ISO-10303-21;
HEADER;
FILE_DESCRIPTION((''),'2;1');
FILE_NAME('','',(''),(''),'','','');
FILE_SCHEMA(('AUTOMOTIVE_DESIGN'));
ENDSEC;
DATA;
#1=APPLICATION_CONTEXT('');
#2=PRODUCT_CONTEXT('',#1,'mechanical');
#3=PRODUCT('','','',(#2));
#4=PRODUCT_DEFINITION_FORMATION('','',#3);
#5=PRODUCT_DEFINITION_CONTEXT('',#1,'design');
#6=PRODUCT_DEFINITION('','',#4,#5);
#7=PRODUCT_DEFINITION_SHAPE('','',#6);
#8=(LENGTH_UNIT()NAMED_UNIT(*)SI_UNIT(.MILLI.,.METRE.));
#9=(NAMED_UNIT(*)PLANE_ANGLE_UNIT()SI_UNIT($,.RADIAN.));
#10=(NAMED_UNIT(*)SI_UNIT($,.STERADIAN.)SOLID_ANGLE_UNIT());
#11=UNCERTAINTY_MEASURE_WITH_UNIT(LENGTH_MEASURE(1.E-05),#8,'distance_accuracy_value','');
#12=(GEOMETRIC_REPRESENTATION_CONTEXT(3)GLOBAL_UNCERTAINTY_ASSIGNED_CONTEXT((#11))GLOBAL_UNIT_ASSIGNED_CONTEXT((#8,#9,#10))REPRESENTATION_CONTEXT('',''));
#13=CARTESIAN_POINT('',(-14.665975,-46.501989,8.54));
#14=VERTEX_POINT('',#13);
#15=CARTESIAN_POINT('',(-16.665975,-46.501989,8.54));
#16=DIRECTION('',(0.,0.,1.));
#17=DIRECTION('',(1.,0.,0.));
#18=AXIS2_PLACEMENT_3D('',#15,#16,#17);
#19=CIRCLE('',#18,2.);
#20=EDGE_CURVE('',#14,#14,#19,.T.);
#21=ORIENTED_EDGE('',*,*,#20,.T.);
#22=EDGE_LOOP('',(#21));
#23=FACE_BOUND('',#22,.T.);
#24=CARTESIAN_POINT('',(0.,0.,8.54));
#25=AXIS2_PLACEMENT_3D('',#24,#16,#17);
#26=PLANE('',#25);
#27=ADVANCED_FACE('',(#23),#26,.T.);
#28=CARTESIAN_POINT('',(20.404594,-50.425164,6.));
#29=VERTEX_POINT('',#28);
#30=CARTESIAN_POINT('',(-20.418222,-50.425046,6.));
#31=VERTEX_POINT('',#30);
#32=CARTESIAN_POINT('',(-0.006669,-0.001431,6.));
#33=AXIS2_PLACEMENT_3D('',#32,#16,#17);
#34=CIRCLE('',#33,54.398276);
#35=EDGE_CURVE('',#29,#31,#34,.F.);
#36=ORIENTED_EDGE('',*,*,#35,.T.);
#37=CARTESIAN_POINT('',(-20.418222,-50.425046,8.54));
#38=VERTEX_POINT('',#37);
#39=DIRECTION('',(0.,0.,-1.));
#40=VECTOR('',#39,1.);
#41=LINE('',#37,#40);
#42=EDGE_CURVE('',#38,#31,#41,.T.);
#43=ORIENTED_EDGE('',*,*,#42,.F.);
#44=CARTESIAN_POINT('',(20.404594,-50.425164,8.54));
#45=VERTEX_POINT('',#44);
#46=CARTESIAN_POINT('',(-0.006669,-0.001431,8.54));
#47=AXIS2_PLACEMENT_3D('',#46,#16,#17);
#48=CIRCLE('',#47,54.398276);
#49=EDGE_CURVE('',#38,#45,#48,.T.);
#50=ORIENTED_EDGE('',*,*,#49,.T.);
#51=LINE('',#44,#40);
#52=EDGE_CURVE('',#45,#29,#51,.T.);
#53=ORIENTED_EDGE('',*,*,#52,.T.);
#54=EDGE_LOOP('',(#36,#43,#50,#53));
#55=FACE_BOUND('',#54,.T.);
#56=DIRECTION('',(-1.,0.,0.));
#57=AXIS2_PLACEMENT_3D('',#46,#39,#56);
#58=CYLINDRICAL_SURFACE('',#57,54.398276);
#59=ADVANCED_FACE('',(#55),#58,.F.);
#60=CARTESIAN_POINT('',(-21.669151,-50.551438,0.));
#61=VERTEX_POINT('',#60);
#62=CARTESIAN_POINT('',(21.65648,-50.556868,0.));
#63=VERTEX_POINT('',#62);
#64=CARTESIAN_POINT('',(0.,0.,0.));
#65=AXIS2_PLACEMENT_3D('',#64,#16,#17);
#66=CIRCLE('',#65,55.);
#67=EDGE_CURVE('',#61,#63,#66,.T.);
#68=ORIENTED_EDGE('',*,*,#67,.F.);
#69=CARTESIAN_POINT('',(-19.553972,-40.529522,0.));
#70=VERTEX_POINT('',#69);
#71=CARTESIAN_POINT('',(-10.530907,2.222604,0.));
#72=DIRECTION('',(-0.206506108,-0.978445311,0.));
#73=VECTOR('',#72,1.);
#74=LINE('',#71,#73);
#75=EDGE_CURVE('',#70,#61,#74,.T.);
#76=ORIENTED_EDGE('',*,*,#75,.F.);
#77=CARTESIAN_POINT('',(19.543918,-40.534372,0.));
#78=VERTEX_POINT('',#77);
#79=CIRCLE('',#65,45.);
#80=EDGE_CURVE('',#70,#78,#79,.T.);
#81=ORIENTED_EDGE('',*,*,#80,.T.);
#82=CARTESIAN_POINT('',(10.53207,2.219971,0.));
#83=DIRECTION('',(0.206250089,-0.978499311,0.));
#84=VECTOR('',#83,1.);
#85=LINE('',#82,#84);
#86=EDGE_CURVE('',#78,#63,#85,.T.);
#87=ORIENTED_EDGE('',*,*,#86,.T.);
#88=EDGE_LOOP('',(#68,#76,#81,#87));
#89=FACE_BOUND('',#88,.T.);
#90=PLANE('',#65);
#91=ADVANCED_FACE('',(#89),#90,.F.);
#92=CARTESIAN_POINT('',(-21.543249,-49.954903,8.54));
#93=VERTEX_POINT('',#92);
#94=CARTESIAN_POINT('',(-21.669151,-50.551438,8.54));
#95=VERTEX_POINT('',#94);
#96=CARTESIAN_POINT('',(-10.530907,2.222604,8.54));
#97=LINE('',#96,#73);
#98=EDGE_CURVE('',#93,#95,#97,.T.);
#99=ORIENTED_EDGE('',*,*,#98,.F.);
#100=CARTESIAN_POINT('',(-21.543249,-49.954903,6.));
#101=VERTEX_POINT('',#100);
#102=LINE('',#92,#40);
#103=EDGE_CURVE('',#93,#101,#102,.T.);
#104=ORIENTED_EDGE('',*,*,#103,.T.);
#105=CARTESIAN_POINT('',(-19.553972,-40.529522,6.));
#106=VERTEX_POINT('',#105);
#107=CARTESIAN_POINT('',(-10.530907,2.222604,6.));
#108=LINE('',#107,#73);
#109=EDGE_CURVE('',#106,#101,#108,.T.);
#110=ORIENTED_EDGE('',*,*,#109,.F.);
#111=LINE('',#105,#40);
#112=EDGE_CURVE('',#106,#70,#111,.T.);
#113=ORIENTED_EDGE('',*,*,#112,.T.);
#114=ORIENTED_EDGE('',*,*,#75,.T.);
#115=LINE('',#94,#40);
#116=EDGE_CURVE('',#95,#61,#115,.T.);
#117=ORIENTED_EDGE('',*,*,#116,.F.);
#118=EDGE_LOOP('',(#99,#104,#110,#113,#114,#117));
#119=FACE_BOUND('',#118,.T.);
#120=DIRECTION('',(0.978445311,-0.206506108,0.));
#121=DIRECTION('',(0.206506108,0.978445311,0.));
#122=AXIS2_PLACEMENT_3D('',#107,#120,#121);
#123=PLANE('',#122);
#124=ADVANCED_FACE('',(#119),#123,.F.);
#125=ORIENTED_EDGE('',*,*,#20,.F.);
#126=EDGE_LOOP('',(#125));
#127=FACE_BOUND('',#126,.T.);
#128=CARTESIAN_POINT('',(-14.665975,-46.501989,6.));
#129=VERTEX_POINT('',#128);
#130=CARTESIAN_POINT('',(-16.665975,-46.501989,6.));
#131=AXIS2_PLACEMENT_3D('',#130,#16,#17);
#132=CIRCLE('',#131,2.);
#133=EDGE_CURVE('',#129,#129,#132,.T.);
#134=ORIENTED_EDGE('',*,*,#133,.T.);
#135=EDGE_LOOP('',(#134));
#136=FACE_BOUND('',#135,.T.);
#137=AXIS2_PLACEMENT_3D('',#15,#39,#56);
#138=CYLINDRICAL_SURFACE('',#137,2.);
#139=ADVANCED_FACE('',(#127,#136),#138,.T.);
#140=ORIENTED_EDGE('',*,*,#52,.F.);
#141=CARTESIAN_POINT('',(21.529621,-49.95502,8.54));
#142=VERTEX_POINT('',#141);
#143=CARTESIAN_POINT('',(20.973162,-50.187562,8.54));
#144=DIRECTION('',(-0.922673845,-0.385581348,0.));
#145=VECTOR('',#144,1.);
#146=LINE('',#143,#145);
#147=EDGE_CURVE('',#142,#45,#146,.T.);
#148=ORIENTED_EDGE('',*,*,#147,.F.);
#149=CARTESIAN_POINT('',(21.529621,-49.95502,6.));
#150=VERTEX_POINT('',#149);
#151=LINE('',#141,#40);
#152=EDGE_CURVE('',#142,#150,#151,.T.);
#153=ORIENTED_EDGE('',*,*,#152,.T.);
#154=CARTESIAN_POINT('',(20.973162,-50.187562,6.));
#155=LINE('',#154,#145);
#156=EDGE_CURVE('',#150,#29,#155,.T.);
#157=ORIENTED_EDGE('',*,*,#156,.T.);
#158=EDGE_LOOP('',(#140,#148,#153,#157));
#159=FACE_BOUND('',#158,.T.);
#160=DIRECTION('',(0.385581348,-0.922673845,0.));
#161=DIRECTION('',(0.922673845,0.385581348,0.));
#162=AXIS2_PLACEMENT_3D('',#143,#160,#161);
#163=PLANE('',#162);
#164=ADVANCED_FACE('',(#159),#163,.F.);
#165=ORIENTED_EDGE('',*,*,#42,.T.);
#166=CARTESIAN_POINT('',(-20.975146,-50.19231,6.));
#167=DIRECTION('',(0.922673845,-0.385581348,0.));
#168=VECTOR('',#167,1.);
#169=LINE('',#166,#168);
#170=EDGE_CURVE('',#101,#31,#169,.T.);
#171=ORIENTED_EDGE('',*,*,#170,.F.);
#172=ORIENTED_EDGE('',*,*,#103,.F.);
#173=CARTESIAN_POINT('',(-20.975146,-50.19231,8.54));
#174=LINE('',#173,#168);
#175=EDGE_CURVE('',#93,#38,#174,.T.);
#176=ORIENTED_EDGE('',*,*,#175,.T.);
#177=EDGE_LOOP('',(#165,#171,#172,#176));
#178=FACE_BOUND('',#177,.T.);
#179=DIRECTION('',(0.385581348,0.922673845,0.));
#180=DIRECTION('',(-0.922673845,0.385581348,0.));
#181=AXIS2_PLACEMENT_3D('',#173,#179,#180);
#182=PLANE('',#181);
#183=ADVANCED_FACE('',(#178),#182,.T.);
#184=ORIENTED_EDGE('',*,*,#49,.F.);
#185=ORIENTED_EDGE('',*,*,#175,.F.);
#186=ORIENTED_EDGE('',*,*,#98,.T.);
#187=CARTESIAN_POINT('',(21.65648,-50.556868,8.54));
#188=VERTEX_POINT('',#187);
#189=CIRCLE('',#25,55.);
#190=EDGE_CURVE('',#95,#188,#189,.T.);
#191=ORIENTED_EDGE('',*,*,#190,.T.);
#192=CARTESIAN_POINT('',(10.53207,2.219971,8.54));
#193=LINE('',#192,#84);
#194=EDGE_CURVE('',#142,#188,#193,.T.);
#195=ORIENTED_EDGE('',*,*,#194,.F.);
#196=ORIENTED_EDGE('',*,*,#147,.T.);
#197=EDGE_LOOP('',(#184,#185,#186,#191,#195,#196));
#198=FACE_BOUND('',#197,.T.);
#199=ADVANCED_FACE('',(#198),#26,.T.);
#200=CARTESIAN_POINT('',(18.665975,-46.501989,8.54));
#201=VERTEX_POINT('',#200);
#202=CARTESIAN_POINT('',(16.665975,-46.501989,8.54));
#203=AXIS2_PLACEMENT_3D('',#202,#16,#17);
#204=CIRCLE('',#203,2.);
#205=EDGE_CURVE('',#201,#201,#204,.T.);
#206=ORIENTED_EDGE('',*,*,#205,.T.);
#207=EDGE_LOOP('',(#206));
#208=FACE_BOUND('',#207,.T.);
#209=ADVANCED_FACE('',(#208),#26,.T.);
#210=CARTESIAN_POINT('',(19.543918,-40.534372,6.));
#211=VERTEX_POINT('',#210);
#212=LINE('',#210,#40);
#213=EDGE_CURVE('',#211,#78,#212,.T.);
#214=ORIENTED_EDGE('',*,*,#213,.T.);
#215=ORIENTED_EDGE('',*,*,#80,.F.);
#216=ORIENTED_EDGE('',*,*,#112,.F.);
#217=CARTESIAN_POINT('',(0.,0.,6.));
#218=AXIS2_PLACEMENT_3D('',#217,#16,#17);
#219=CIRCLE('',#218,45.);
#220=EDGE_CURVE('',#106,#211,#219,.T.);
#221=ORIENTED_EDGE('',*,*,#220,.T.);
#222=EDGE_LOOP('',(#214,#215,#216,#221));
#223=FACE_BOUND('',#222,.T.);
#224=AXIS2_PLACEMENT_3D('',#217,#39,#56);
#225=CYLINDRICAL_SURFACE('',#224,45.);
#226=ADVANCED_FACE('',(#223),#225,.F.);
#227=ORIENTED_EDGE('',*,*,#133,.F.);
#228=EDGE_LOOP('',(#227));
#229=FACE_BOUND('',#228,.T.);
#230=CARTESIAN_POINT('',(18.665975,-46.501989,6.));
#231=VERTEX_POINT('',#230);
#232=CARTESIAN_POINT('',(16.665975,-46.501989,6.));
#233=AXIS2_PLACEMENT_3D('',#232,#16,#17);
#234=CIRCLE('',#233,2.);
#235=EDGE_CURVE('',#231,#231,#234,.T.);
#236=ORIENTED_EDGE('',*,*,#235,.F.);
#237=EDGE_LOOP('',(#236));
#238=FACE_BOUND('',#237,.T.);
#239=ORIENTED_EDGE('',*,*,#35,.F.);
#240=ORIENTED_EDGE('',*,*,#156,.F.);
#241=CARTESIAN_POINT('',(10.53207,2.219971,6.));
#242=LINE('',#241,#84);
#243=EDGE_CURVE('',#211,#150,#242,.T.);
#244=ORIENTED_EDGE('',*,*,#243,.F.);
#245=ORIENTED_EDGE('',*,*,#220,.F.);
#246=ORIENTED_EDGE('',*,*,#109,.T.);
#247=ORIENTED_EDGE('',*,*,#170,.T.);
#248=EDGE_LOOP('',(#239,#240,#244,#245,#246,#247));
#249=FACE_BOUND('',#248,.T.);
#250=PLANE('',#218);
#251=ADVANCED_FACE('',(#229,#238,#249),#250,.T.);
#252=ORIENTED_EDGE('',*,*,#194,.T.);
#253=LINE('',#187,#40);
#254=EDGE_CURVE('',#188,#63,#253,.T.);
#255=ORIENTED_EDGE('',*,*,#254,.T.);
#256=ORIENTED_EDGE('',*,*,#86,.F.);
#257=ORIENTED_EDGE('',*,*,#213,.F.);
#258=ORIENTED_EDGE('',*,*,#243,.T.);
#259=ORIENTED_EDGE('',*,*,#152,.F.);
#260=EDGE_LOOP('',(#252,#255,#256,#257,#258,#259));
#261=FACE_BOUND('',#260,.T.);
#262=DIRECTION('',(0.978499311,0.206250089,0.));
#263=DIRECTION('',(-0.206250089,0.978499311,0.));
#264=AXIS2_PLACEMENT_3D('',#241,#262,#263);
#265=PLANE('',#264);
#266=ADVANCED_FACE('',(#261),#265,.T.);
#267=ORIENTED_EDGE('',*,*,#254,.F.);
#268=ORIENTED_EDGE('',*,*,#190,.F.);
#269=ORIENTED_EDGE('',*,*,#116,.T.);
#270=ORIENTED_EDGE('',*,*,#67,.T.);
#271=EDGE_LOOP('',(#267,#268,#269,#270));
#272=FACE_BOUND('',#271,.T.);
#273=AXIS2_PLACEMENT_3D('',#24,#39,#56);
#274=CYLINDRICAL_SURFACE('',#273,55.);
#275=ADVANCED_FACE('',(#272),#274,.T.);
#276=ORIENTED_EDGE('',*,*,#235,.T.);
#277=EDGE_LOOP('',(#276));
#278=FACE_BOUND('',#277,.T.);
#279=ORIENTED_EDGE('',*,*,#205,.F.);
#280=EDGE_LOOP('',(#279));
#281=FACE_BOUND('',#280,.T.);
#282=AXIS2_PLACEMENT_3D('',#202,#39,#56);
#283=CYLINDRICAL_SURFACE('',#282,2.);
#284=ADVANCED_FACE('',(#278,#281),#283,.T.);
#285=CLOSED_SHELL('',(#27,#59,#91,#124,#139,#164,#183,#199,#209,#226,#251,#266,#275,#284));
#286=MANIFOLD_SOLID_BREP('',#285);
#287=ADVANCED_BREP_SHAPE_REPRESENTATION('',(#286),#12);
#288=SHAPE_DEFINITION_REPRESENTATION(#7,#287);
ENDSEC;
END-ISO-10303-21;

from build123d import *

# Parameters (mm, degrees)
SKETCH1_R           = 1.999999943
BOSS_EXTRUDE1_DEPTH = 6
SKETCH1_3_R         = 1.999999943
BOSS_EXTRUDE2_DEPTH = 8.54


with BuildPart() as part:
    # Sketch1 → Boss-Extrude1 (new body)
    with BuildSketch(Plane.XY):
        with BuildLine():
            Line((-19.553972123, -40.529522255), (-21.543248991, -49.954902644))
            Line((-21.543248991, -49.954902644), (-20.41822196, -50.425046499))
            ThreePointArc((-20.41822196, -50.425046499), (-10.404121129, -53.396800588), (-0.006635132, -54.399707743))
            ThreePointArc((-0.006635132, -54.399707743), (10.39066306, -53.396824107), (20.404594428, -50.42516399))
            Line((20.404594428, -50.42516399), (21.529621459, -49.955020135))
            Line((21.529621459, -49.955020135), (19.54391785, -40.534371527))
            ThreePointArc((19.54391785, -40.534371527), (-0.005581304, -44.999999654), (-19.553972123, -40.529522255))
        make_face()
        with Locations((-16.665975394, -46.501988883)):
            Circle(SKETCH1_R, mode=Mode.SUBTRACT)
        with Locations((16.665975394, -46.501988883)):
            Circle(SKETCH1_R, mode=Mode.SUBTRACT)
    extrude(amount=BOSS_EXTRUDE1_DEPTH)

    # Sketch1<3> → Boss-Extrude2 (add)
    with BuildSketch(Plane.XY):
        with BuildLine():
            Line((-20.41822196, -50.425046499), (-21.543248991, -49.954902644))
            Line((-21.543248991, -49.954902644), (-21.669150988, -50.551438115))
            ThreePointArc((-21.669150988, -50.551438115), (-0.006892589, -54.999999568), (21.656480116, -50.556867674))
            Line((21.656480116, -50.556867674), (21.529621459, -49.955020135))
            Line((21.529621459, -49.955020135), (20.404594428, -50.42516399))
            ThreePointArc((20.404594428, -50.42516399), (-0.006825205, -54.399707743), (-20.41822196, -50.425046499))
        make_face()
        with Locations((16.665975394, -46.501988883)):
            Circle(SKETCH1_3_R)
        with Locations((-16.665975394, -46.501988883)):
            Circle(SKETCH1_3_R)
    extrude(amount=BOSS_EXTRUDE2_DEPTH)


solid = part.part
